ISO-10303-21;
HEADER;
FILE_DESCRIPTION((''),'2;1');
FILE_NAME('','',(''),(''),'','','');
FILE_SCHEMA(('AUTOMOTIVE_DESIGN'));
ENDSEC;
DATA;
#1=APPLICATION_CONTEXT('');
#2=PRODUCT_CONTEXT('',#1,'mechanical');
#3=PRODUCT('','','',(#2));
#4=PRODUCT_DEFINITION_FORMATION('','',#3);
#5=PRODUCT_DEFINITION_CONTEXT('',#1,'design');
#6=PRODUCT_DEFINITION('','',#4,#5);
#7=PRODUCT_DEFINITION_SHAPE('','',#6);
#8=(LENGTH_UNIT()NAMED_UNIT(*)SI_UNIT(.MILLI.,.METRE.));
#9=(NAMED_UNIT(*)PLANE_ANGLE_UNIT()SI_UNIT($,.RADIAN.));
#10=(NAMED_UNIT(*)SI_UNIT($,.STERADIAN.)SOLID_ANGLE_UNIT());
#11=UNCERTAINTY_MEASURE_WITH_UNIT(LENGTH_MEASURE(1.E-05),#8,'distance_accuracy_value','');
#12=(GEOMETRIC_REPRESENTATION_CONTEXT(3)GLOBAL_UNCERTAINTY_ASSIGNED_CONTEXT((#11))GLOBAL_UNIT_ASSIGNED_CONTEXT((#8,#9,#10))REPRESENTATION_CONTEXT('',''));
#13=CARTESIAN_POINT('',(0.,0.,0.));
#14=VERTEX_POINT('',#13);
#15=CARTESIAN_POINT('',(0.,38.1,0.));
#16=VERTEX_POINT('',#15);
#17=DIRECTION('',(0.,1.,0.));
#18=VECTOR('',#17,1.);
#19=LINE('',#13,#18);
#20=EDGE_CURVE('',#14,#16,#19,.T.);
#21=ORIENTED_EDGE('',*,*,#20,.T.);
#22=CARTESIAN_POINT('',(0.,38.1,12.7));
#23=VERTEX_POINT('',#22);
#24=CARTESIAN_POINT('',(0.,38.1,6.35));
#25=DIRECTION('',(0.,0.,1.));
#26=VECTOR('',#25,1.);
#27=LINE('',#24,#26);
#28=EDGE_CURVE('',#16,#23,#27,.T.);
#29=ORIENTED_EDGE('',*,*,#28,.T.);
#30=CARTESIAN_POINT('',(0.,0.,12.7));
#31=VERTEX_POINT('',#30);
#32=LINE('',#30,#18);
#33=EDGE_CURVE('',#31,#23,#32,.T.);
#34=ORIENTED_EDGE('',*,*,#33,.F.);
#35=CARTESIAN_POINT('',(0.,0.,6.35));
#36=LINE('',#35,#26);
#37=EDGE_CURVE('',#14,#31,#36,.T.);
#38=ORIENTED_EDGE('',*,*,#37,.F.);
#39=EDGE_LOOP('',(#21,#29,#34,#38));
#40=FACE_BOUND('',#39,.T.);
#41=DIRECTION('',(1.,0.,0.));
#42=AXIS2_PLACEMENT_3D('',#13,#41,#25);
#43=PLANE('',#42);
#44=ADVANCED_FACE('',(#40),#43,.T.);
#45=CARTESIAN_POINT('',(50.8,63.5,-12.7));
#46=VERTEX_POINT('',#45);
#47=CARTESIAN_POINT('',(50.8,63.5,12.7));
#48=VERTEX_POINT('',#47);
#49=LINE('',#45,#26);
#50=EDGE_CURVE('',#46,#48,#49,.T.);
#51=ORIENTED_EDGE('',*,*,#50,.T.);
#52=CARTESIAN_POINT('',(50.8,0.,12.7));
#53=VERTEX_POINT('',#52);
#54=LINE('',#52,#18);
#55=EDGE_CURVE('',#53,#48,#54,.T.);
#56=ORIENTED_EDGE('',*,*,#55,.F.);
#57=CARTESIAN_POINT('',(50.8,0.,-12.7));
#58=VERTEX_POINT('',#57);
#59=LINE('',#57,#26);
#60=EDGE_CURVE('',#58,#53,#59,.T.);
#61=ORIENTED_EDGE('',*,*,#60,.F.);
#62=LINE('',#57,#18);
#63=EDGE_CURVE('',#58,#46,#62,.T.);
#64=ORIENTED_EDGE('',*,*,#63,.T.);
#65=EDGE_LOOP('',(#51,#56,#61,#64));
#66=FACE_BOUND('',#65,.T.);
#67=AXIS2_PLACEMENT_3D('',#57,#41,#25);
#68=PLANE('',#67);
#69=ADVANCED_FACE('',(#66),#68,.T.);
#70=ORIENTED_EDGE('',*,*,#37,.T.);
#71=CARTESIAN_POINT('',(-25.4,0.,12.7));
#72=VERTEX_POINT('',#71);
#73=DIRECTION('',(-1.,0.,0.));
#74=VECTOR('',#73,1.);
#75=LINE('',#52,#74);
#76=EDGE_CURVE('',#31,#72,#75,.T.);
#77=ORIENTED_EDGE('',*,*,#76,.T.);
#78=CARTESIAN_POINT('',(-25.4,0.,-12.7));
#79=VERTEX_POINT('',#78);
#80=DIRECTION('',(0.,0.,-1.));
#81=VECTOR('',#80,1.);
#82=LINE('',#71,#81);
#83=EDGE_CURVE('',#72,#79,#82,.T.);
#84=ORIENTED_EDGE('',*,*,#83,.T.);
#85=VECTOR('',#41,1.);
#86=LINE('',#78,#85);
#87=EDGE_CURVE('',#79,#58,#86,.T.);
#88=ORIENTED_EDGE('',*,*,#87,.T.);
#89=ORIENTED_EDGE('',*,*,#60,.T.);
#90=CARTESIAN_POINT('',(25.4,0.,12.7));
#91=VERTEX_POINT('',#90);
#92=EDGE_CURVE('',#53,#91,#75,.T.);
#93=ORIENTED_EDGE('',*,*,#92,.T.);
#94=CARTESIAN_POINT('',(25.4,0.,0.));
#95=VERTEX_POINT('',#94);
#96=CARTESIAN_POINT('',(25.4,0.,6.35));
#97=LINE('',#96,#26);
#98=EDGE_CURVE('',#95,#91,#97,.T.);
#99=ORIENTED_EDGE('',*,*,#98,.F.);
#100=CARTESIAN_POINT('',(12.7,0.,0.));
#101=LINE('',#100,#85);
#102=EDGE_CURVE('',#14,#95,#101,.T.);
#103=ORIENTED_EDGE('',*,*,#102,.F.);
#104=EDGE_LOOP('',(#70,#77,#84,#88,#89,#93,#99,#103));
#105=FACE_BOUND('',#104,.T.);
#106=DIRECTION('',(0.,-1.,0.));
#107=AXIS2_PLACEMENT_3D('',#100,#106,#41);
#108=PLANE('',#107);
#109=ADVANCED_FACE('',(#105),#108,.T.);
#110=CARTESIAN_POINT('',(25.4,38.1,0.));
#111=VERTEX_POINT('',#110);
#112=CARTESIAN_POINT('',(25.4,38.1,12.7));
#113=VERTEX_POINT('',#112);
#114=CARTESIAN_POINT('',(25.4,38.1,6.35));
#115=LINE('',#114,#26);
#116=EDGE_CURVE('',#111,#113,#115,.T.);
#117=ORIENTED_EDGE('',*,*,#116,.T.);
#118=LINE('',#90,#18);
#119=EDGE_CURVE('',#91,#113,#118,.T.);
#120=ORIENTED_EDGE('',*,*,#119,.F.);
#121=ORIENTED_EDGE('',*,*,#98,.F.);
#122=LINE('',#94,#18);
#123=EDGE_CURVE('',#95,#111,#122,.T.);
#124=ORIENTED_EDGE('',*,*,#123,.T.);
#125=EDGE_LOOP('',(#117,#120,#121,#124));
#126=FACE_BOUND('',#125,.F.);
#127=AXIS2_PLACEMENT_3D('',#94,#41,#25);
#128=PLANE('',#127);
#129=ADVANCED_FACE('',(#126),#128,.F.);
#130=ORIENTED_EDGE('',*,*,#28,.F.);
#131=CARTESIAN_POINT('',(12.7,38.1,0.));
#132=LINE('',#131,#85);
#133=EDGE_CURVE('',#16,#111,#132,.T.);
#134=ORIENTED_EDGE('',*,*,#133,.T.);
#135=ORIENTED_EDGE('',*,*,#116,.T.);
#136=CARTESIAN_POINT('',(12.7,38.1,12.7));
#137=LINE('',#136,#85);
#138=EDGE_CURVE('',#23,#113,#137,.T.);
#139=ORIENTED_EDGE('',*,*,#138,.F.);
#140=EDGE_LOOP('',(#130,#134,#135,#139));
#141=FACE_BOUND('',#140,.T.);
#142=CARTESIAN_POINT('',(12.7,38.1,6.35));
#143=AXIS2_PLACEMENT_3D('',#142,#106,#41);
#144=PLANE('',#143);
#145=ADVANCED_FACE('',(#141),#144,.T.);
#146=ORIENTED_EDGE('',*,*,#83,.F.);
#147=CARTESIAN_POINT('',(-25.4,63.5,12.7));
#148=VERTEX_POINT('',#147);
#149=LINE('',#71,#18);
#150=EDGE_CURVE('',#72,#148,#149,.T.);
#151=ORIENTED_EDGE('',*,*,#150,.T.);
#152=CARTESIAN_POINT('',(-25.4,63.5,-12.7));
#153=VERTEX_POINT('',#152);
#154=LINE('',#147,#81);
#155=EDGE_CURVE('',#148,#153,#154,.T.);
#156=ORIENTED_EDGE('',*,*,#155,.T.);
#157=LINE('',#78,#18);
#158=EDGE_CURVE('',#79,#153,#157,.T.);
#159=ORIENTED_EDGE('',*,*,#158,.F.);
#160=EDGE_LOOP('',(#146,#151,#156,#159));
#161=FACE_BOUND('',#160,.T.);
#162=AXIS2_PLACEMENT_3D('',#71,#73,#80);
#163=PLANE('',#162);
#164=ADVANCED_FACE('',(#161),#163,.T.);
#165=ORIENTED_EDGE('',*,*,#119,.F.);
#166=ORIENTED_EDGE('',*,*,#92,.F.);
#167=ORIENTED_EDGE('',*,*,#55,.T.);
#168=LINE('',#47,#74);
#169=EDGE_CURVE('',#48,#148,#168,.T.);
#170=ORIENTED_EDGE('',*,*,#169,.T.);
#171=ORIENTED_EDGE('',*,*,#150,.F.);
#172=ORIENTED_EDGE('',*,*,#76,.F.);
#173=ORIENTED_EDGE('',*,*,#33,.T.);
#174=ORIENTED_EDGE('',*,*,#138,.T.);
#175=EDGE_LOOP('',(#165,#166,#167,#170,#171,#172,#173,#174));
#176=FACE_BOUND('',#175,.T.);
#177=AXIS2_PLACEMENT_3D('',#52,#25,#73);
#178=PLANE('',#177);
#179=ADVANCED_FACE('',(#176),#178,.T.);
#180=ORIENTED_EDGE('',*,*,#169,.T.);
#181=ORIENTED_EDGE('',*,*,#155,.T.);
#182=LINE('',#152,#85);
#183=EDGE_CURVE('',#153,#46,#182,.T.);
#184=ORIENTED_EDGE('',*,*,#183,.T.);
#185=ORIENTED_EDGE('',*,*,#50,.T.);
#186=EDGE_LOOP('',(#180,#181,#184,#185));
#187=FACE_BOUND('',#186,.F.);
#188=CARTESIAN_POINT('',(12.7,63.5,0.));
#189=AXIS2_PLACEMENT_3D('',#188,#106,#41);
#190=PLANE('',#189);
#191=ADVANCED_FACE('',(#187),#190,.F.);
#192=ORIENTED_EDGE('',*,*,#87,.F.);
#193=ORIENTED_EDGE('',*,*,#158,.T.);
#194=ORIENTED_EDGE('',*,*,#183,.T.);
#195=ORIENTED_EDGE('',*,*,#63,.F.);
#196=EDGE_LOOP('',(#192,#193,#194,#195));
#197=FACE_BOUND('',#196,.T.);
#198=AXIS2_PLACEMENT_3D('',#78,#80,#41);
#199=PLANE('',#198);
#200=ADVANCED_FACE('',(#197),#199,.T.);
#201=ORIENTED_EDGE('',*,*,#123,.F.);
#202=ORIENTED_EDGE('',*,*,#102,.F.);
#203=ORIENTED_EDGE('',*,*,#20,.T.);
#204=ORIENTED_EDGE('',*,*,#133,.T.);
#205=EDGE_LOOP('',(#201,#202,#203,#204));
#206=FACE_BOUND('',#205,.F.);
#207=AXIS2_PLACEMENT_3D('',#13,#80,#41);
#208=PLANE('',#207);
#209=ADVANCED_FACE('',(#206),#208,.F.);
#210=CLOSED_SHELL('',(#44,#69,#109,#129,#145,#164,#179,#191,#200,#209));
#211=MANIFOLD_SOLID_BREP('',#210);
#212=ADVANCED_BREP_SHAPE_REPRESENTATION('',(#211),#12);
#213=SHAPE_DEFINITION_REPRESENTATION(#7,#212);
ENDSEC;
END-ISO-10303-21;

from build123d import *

# Parameters (mm, degrees)
F1_DEPTH = 63.5
F2_W     = 25.4
F2_H     = 12.7
F3_DEPTH = 38.1


with BuildPart() as f1:
    # F0 (on Front) → F1 (new body)
    with BuildSketch(Plane.XZ):
        Polygon((50.8, 12.7), (0, 12.7), (-25.4, 12.7), (-25.4, 0), (-25.4, -12.7), (50.8, -12.7), (50.8, 0), align=None)
    extrude(amount=-F1_DEPTH)

    # F2 (on face) → F3 (cut)
    with BuildSketch(Plane.XZ):
        with Locations((12.7, 6.35)):
            Rectangle(F2_W, F2_H)
    extrude(amount=-F3_DEPTH, mode=Mode.SUBTRACT)


solid = f1.part
